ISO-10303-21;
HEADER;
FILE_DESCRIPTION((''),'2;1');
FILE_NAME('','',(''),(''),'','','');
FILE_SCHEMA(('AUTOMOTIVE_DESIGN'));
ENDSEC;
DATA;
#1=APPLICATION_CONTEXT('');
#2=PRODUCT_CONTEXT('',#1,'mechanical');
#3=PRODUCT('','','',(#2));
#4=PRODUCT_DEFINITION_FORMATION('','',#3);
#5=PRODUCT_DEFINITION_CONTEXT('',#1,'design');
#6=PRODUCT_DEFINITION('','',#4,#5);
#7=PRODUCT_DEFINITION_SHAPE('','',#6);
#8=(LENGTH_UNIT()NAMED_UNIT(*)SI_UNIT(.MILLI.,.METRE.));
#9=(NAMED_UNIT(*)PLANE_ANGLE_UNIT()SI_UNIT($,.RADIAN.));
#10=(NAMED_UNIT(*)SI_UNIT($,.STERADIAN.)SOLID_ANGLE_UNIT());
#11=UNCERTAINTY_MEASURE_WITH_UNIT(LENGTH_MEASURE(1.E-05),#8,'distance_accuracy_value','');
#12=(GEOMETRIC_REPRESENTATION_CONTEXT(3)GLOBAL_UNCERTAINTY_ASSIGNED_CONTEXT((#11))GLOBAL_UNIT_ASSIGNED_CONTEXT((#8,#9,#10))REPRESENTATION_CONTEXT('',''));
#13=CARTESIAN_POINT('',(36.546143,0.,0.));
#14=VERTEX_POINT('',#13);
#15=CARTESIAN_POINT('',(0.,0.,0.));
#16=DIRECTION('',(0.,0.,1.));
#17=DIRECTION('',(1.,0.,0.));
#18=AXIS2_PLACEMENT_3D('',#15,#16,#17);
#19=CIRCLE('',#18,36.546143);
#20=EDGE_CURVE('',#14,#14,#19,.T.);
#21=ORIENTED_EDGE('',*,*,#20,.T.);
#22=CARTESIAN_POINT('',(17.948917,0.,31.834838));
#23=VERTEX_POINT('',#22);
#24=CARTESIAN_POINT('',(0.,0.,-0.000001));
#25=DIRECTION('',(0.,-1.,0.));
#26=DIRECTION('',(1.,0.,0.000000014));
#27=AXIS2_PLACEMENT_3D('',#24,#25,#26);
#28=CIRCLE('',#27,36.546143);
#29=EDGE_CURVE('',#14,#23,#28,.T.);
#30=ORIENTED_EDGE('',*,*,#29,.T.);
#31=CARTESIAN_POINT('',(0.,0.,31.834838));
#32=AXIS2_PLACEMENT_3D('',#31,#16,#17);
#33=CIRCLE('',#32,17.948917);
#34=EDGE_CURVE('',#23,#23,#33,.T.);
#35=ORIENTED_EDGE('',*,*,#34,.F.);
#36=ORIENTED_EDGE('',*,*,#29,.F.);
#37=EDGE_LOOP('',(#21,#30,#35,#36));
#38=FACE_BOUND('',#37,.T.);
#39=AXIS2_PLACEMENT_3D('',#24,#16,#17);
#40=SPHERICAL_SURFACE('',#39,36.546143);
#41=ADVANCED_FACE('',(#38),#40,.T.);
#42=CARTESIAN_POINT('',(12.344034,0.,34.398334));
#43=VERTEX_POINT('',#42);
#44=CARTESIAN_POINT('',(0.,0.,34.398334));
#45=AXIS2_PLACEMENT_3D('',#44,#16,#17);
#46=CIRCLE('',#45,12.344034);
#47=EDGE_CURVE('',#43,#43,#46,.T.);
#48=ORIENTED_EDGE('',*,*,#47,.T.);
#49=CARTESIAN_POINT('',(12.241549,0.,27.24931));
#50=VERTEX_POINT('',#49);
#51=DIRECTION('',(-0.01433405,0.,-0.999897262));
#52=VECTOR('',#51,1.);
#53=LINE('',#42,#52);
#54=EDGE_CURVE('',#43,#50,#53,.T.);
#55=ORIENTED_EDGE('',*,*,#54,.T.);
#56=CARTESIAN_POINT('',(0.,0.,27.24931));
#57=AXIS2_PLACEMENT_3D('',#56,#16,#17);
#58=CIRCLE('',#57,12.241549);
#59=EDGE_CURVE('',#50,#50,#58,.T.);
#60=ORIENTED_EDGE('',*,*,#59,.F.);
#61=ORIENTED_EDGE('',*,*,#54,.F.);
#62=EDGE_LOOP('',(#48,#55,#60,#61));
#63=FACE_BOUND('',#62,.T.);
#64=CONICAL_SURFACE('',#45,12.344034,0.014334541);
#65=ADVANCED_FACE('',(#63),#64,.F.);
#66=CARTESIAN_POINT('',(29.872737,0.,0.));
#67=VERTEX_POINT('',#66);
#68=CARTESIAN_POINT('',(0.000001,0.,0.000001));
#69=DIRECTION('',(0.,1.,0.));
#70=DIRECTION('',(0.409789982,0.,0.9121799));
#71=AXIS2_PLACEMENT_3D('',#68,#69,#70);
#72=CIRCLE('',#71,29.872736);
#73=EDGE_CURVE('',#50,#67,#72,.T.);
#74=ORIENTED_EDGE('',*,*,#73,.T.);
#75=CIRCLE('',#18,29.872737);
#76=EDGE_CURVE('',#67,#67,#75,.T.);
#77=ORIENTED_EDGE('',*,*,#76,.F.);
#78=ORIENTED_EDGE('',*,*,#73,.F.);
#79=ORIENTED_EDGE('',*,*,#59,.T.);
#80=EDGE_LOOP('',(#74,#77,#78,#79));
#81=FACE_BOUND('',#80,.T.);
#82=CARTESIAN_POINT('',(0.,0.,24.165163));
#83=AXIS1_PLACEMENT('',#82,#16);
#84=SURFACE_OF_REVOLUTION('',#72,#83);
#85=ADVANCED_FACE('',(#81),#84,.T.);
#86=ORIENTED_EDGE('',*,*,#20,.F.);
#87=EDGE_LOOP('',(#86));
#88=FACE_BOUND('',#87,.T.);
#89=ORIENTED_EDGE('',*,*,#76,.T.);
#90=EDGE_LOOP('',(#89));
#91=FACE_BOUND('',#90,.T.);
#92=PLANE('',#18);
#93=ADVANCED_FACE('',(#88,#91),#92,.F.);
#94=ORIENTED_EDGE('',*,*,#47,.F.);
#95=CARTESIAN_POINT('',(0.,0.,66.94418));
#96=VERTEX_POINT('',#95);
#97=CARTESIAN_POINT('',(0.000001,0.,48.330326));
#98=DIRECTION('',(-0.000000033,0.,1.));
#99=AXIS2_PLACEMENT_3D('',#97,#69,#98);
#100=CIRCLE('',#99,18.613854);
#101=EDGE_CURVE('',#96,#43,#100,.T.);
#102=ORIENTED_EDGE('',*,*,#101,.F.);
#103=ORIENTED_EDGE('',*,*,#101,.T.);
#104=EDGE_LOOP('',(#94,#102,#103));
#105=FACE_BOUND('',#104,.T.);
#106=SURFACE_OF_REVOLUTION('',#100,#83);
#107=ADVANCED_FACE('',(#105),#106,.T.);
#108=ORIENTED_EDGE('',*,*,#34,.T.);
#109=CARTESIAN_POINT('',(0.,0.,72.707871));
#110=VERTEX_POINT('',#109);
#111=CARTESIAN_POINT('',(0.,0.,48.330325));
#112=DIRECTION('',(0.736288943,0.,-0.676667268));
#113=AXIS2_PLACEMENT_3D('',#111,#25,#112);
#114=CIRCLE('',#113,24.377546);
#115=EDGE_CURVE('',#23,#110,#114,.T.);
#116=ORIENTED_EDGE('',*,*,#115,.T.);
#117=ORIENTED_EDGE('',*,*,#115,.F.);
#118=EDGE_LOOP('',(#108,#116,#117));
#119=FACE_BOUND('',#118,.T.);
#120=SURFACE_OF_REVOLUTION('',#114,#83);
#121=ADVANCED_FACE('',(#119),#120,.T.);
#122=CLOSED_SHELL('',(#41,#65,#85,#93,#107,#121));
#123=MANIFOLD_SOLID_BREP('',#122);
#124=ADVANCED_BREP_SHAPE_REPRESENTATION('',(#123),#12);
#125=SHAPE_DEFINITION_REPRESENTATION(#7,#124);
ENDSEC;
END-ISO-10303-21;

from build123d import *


with BuildPart() as f1:
    # F0 (on Front) → F1 (revolve)
    with BuildSketch(Plane.XZ):
        with BuildLine():
            Line((29.872737, 0), (36.546143, 0))
            ThreePointArc((36.546143, 0), (31.556174, 18.434436), (17.948917, 31.834838))
            ThreePointArc((17.948917, 31.834838), (22.320217, 58.13199), (0, 72.707871))
            Line((0, 72.707871), (0, 66.94418))
            ThreePointArc((0, 66.94418), (17.404075, 54.931368), (12.344034, 34.398334))
            Line((12.344034, 34.398334), (12.241549, 27.24931))
            ThreePointArc((12.241549, 27.24931), (25.08056, 16.227937), (29.872737, 0))
        make_face()
    revolve(axis=Axis((0, 0, 24.165163), (0, 0, 1)))


solid = f1.part
